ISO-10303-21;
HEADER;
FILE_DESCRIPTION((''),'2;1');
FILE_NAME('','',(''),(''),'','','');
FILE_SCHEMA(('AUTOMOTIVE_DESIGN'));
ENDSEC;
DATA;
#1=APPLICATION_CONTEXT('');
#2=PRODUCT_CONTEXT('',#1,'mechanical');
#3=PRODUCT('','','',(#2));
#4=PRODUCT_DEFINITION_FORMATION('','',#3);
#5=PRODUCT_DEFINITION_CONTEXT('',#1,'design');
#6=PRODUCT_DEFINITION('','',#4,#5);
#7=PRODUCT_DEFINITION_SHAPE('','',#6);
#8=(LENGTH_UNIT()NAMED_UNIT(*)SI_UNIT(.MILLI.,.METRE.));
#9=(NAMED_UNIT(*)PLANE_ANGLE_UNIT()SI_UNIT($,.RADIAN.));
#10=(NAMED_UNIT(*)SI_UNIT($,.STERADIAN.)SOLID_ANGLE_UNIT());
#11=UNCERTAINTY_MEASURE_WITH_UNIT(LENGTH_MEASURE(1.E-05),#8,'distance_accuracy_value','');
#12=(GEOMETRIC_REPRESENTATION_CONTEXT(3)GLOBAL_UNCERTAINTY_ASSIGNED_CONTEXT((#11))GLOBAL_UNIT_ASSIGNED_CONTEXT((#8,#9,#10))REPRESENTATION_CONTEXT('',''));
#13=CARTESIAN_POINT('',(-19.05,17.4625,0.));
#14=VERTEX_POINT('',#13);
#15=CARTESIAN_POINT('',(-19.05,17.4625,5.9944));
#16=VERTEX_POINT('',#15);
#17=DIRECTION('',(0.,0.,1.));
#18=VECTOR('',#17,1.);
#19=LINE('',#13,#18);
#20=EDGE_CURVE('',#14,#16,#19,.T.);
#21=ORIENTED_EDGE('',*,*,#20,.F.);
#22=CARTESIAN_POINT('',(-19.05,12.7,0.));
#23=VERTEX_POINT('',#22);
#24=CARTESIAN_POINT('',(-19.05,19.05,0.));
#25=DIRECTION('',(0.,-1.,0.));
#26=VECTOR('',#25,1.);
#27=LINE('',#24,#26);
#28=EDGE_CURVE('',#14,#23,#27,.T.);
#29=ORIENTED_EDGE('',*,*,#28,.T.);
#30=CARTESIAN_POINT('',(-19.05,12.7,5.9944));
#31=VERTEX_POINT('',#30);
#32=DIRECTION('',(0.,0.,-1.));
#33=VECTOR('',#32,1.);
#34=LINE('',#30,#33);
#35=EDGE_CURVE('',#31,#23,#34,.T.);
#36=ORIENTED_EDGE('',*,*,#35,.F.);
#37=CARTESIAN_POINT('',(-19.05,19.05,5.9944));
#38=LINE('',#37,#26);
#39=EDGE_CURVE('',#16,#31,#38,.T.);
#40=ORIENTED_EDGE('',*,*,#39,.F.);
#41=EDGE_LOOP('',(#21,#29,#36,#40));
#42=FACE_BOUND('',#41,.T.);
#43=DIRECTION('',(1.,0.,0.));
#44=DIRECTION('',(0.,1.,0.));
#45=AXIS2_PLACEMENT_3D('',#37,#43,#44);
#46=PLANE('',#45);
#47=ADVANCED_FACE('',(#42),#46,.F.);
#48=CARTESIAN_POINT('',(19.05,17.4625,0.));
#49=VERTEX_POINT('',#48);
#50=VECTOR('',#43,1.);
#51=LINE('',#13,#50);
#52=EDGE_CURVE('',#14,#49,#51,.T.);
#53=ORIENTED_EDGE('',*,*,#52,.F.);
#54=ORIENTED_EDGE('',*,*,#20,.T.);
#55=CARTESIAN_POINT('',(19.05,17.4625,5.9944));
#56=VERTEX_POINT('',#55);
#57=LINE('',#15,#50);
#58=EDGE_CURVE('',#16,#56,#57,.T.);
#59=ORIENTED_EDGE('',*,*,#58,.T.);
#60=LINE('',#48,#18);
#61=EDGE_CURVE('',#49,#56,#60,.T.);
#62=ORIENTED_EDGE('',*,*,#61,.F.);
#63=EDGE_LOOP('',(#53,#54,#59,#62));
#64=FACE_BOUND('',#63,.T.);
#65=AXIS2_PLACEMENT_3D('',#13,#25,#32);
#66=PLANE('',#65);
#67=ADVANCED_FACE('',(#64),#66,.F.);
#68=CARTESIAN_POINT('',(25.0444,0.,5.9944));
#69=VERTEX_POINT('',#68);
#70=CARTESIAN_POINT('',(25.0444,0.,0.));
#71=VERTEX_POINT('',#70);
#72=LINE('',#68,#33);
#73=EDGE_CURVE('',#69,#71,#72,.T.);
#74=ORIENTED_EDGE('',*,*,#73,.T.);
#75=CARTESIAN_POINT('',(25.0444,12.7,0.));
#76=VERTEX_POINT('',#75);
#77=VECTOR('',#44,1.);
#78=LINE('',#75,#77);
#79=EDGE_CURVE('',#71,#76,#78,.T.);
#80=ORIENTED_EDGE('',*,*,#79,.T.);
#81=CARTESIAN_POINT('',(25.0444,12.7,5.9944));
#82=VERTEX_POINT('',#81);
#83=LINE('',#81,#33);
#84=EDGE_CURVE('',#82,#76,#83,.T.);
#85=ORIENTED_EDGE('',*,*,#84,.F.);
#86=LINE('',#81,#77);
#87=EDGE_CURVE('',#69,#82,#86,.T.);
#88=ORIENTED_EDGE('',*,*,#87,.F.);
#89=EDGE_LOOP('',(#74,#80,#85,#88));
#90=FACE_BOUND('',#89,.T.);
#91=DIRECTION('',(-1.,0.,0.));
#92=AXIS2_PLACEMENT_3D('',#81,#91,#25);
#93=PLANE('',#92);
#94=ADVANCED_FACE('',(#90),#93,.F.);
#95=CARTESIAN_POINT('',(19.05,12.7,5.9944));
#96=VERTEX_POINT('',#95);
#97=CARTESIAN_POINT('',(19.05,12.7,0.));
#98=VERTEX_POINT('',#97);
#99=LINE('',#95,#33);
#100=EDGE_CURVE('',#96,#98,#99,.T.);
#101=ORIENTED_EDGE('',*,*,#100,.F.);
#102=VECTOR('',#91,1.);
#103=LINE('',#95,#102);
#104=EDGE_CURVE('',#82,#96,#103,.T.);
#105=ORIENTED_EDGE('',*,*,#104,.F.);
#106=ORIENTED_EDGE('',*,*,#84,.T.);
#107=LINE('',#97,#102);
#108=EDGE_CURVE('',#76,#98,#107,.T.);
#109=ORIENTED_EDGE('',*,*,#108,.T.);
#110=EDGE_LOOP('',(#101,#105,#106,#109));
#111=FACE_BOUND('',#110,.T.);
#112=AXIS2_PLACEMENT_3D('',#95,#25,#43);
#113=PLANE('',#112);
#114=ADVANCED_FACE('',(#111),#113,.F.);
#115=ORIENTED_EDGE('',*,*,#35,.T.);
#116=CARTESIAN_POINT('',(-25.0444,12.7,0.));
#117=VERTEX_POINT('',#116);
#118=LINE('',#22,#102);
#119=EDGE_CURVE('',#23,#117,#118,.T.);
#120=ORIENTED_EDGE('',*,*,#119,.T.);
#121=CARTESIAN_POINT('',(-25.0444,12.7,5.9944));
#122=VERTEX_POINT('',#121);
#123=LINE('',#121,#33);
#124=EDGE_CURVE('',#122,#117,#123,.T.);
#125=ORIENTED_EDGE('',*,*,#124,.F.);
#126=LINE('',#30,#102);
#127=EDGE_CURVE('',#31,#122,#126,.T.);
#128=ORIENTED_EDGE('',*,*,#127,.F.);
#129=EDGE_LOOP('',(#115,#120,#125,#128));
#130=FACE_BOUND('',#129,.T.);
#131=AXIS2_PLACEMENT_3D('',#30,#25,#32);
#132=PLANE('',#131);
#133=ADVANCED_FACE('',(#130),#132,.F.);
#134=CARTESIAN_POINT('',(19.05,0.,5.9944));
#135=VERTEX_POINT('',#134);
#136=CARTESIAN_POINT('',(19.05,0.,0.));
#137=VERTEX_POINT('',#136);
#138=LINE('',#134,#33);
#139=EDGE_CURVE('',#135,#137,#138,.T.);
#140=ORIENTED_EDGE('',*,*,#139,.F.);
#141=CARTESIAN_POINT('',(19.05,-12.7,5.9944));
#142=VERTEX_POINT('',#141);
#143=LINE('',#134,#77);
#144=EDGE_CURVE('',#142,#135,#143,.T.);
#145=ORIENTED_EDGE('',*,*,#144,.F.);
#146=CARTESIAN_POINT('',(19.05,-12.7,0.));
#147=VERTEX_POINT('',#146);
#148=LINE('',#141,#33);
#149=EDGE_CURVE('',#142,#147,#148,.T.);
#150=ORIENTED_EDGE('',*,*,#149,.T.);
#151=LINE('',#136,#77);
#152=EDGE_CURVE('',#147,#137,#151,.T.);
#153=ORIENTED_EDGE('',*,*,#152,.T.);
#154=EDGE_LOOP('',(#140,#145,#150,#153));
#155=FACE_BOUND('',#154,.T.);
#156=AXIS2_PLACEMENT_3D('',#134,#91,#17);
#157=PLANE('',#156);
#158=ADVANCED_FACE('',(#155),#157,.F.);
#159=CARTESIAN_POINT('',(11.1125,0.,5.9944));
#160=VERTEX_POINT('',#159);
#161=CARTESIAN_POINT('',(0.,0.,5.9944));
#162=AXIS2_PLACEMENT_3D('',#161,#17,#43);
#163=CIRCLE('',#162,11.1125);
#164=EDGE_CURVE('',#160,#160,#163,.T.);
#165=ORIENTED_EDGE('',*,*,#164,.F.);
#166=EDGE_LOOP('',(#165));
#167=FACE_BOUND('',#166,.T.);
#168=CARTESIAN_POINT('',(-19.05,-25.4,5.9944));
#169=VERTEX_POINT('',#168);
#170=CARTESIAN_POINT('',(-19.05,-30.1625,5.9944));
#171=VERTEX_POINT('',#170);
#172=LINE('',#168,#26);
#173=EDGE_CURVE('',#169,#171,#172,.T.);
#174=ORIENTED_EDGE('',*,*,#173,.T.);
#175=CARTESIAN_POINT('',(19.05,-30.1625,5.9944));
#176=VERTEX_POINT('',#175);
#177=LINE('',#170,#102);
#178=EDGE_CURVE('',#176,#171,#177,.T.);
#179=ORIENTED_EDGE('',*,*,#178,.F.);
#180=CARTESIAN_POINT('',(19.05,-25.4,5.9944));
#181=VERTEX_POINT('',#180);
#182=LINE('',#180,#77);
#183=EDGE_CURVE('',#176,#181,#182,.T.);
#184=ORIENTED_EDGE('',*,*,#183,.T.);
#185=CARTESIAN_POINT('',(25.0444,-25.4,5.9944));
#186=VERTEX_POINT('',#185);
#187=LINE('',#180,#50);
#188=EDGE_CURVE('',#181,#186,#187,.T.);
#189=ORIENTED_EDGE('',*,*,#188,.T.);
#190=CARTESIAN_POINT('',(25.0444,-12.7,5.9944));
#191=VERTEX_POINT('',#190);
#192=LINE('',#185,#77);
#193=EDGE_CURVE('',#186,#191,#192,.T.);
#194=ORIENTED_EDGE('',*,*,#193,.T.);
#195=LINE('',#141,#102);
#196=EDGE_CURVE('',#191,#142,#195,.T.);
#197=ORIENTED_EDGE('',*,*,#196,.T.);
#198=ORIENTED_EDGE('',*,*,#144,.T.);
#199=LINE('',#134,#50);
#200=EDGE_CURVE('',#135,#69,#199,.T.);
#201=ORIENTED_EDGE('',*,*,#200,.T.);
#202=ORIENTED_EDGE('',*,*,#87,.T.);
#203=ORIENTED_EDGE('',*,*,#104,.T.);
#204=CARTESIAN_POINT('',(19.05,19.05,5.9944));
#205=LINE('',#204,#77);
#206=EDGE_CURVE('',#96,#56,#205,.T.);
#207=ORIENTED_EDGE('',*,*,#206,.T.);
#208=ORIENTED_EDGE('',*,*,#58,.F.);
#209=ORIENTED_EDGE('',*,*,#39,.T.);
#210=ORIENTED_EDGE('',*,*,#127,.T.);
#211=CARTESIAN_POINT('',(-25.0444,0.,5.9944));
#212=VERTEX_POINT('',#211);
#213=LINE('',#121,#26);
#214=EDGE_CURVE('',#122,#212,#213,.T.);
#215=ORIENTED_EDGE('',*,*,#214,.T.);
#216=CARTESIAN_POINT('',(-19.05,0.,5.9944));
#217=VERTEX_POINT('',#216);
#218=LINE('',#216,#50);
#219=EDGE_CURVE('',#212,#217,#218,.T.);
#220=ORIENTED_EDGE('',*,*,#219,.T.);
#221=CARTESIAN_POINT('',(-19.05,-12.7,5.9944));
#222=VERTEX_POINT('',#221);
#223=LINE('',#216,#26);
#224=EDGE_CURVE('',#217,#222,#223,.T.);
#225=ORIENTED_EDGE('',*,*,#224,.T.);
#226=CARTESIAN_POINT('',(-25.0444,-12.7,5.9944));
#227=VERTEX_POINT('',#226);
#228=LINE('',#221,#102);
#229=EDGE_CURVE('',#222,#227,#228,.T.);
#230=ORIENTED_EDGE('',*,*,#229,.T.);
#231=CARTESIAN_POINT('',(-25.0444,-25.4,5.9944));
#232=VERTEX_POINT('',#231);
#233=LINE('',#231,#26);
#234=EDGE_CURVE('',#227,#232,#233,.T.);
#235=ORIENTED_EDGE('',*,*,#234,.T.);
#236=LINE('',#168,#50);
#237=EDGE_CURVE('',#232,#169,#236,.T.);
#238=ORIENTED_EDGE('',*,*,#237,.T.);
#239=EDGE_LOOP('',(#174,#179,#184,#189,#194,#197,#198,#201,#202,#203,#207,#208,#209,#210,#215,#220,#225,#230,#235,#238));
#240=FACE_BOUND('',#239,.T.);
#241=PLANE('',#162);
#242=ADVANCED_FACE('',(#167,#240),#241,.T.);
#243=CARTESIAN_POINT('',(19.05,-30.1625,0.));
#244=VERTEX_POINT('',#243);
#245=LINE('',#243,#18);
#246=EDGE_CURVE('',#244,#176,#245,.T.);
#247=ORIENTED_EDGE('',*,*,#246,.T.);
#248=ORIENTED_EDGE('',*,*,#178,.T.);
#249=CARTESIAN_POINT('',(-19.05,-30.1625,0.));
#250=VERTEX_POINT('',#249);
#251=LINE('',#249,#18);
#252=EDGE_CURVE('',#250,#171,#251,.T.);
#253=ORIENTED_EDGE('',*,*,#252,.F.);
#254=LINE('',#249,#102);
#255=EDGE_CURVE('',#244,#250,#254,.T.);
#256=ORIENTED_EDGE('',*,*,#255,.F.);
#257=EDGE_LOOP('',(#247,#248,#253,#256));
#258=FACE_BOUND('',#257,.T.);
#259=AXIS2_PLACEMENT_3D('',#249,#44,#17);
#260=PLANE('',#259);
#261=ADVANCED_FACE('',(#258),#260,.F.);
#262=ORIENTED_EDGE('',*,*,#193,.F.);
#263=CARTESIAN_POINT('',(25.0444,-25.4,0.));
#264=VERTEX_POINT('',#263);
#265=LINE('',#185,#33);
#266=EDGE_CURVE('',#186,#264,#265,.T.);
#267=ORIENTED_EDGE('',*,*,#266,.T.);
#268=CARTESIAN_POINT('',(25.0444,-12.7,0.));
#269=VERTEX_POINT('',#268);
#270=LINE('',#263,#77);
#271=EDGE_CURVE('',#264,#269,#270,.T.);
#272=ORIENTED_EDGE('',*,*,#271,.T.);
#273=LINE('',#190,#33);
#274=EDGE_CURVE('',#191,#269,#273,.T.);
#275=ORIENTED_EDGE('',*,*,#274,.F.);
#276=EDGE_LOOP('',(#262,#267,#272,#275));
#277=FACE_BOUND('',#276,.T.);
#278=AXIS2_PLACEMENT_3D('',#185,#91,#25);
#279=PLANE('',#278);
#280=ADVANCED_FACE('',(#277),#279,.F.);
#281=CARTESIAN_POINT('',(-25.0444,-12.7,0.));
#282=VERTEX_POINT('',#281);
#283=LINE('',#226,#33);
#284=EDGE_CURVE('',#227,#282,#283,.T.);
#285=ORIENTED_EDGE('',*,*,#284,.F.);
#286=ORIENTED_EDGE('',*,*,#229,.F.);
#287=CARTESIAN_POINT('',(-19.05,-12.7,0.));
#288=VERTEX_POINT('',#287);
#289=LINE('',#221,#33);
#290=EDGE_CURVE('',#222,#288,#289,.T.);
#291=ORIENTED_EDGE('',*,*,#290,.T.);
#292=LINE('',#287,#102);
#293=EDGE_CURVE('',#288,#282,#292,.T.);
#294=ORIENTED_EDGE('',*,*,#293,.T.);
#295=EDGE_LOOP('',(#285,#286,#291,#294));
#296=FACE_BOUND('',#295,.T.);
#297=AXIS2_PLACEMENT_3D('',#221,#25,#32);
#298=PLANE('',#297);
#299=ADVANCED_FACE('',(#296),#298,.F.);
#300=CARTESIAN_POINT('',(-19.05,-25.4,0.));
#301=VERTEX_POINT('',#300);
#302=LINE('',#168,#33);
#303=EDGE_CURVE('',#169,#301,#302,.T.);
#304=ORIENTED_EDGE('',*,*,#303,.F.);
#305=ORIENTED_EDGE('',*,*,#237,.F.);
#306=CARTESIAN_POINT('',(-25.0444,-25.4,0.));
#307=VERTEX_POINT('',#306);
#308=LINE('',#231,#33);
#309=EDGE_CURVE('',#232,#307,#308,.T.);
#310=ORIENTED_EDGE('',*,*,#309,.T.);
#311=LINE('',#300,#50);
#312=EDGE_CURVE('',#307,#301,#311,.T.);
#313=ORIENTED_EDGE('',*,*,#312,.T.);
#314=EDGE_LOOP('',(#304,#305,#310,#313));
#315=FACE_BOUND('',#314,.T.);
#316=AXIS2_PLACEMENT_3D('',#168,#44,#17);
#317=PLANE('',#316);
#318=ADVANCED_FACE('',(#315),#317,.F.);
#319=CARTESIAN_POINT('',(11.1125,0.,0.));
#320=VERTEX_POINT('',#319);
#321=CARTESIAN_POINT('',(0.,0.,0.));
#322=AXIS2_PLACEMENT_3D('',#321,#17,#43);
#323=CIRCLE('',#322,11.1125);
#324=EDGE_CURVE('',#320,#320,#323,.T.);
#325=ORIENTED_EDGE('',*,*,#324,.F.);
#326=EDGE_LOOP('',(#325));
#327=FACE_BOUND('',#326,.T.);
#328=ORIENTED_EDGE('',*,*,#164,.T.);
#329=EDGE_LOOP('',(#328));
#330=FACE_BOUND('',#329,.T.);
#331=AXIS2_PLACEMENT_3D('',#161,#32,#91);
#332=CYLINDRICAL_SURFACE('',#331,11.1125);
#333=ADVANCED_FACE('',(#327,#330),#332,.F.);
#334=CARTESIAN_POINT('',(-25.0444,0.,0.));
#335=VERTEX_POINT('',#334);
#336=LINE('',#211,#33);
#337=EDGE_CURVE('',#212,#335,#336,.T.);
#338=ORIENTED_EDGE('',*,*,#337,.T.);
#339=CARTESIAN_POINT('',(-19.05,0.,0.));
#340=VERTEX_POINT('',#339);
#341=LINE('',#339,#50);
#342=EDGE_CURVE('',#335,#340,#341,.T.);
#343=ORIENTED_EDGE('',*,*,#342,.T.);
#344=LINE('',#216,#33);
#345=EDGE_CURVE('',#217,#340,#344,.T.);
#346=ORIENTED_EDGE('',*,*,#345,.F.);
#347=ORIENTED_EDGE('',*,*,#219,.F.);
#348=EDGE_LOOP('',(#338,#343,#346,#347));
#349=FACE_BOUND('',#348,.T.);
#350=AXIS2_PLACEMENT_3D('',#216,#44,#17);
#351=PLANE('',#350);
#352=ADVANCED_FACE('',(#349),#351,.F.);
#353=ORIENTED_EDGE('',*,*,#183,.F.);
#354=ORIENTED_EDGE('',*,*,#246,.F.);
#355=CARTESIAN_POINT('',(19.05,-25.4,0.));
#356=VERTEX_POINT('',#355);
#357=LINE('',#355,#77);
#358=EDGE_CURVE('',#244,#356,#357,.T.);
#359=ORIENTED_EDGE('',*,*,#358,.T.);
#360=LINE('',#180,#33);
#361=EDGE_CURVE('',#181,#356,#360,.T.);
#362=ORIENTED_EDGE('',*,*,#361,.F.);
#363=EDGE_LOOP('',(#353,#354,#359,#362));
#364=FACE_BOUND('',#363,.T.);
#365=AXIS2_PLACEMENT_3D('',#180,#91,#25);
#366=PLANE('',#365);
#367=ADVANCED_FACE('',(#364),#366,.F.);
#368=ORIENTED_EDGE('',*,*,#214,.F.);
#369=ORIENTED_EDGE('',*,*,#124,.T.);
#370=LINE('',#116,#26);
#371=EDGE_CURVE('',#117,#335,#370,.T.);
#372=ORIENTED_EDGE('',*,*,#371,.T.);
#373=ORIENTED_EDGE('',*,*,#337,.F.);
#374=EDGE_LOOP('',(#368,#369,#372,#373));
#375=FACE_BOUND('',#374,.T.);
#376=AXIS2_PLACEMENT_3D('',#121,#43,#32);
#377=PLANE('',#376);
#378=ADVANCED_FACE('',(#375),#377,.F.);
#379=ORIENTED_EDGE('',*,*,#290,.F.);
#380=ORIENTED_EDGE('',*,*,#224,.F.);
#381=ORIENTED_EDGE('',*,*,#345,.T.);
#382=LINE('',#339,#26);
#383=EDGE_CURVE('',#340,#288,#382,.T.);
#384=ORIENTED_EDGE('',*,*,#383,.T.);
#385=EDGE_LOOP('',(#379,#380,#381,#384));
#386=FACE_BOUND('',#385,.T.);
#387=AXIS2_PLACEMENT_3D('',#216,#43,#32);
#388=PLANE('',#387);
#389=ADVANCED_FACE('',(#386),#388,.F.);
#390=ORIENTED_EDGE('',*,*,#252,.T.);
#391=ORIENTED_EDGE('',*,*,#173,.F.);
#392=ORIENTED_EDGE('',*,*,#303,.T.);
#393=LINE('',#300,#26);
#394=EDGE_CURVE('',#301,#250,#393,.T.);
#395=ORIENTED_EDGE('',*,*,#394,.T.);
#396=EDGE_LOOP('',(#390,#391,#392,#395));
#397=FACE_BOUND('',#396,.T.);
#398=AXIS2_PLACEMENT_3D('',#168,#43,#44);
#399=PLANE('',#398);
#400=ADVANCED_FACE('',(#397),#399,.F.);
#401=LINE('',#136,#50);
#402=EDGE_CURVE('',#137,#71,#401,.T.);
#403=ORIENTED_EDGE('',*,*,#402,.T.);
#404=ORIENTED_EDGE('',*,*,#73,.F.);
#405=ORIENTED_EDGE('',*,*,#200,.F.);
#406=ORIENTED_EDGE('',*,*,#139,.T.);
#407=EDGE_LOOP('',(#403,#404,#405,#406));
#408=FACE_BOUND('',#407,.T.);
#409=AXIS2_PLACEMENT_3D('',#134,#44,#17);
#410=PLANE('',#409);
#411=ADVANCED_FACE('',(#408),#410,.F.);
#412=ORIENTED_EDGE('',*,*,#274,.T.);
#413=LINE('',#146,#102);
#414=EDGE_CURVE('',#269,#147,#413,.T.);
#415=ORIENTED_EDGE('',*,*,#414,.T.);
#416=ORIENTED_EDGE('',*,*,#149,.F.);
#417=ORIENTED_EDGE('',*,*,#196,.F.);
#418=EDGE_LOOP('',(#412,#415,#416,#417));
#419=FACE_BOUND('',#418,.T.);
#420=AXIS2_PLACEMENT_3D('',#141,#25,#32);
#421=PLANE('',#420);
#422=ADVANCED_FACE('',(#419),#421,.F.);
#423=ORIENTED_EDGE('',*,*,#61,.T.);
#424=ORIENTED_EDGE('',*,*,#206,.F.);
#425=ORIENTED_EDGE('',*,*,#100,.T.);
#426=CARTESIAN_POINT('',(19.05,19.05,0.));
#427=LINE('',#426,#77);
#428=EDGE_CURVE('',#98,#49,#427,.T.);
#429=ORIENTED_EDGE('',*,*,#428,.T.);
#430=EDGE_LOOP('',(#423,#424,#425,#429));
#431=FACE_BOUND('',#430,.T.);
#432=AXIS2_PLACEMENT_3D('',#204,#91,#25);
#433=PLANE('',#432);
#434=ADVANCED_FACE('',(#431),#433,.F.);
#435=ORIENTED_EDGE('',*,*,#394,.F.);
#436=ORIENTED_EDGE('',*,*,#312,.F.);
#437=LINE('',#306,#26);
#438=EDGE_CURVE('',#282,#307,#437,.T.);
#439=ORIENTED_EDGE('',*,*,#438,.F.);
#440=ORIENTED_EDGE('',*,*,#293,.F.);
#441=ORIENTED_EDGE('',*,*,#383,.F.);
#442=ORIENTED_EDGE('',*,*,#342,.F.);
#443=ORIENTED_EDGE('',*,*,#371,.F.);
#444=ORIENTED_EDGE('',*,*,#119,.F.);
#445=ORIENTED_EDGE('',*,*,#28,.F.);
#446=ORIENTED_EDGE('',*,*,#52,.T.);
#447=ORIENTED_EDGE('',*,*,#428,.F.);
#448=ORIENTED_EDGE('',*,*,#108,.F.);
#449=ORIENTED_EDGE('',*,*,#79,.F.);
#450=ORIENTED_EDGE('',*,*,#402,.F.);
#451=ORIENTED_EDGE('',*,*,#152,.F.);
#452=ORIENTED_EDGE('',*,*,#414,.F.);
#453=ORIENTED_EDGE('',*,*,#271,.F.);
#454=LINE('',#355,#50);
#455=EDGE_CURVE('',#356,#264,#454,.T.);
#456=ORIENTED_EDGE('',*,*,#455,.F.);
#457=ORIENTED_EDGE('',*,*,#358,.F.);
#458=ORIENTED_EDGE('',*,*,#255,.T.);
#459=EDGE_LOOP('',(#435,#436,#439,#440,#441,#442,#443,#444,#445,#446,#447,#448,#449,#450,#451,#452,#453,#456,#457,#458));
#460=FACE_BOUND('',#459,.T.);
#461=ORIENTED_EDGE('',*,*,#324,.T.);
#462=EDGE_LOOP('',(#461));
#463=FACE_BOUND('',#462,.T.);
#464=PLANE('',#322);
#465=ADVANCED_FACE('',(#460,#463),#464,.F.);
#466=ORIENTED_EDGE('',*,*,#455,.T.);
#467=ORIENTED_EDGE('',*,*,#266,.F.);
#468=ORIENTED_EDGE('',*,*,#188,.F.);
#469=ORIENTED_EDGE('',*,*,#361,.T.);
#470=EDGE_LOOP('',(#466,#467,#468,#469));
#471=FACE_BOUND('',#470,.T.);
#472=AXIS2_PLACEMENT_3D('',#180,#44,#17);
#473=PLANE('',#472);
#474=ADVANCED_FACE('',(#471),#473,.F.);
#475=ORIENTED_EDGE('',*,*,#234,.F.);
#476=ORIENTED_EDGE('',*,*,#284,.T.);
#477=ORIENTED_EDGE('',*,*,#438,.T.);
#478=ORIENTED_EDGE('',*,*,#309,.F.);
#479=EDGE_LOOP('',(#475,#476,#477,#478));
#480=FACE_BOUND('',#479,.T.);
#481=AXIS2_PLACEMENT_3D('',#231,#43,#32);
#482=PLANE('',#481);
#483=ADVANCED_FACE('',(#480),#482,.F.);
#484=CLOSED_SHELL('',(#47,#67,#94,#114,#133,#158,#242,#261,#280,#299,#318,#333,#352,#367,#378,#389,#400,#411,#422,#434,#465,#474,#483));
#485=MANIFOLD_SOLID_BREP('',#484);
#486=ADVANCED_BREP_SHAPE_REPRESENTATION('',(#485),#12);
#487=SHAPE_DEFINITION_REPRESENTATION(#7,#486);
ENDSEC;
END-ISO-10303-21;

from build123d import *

# Parameters (mm, degrees)
SKETCH1_R           = 11.1125
BOSS_EXTRUDE1_DEPTH = 5.9944
SKETCH2_W           = 38.1
SKETCH2_H           = 1.5875
CUT_EXTRUDE1_DEPTH  = 6.9944


with BuildPart() as part:
    # Sketch1 → Boss-Extrude1 (new body)
    with BuildSketch(Plane.XY):
        Polygon((19.05, 19.05), (-19.05, 19.05), (-19.05, 12.7), (-25.0444, 12.7), (-25.0444, 0), (-19.05, 0), (-19.05, -12.7), (-25.0444, -12.7), (-25.0444, -25.4), (-19.05, -25.4), (-19.05, -31.75), (19.05, -31.75), (19.05, -25.4), (25.0444, -25.4), (25.0444, -12.7), (19.05, -12.7), (19.05, 0), (25.0444, 0), (25.0444, 12.7), (19.05, 12.7), align=None)
        Circle(SKETCH1_R, mode=Mode.SUBTRACT)
    extrude(amount=BOSS_EXTRUDE1_DEPTH)

    # Sketch2 → Cut-Extrude1 (cut, through all)
    with BuildSketch(Plane.XY.offset(5.9944)):
        with Locations((0, -30.95625)):
            Rectangle(SKETCH2_W, SKETCH2_H)
        with Locations((0, 18.25625)):
            Rectangle(SKETCH2_W, SKETCH2_H)
    extrude(amount=-CUT_EXTRUDE1_DEPTH, mode=Mode.SUBTRACT)


solid = part.part
